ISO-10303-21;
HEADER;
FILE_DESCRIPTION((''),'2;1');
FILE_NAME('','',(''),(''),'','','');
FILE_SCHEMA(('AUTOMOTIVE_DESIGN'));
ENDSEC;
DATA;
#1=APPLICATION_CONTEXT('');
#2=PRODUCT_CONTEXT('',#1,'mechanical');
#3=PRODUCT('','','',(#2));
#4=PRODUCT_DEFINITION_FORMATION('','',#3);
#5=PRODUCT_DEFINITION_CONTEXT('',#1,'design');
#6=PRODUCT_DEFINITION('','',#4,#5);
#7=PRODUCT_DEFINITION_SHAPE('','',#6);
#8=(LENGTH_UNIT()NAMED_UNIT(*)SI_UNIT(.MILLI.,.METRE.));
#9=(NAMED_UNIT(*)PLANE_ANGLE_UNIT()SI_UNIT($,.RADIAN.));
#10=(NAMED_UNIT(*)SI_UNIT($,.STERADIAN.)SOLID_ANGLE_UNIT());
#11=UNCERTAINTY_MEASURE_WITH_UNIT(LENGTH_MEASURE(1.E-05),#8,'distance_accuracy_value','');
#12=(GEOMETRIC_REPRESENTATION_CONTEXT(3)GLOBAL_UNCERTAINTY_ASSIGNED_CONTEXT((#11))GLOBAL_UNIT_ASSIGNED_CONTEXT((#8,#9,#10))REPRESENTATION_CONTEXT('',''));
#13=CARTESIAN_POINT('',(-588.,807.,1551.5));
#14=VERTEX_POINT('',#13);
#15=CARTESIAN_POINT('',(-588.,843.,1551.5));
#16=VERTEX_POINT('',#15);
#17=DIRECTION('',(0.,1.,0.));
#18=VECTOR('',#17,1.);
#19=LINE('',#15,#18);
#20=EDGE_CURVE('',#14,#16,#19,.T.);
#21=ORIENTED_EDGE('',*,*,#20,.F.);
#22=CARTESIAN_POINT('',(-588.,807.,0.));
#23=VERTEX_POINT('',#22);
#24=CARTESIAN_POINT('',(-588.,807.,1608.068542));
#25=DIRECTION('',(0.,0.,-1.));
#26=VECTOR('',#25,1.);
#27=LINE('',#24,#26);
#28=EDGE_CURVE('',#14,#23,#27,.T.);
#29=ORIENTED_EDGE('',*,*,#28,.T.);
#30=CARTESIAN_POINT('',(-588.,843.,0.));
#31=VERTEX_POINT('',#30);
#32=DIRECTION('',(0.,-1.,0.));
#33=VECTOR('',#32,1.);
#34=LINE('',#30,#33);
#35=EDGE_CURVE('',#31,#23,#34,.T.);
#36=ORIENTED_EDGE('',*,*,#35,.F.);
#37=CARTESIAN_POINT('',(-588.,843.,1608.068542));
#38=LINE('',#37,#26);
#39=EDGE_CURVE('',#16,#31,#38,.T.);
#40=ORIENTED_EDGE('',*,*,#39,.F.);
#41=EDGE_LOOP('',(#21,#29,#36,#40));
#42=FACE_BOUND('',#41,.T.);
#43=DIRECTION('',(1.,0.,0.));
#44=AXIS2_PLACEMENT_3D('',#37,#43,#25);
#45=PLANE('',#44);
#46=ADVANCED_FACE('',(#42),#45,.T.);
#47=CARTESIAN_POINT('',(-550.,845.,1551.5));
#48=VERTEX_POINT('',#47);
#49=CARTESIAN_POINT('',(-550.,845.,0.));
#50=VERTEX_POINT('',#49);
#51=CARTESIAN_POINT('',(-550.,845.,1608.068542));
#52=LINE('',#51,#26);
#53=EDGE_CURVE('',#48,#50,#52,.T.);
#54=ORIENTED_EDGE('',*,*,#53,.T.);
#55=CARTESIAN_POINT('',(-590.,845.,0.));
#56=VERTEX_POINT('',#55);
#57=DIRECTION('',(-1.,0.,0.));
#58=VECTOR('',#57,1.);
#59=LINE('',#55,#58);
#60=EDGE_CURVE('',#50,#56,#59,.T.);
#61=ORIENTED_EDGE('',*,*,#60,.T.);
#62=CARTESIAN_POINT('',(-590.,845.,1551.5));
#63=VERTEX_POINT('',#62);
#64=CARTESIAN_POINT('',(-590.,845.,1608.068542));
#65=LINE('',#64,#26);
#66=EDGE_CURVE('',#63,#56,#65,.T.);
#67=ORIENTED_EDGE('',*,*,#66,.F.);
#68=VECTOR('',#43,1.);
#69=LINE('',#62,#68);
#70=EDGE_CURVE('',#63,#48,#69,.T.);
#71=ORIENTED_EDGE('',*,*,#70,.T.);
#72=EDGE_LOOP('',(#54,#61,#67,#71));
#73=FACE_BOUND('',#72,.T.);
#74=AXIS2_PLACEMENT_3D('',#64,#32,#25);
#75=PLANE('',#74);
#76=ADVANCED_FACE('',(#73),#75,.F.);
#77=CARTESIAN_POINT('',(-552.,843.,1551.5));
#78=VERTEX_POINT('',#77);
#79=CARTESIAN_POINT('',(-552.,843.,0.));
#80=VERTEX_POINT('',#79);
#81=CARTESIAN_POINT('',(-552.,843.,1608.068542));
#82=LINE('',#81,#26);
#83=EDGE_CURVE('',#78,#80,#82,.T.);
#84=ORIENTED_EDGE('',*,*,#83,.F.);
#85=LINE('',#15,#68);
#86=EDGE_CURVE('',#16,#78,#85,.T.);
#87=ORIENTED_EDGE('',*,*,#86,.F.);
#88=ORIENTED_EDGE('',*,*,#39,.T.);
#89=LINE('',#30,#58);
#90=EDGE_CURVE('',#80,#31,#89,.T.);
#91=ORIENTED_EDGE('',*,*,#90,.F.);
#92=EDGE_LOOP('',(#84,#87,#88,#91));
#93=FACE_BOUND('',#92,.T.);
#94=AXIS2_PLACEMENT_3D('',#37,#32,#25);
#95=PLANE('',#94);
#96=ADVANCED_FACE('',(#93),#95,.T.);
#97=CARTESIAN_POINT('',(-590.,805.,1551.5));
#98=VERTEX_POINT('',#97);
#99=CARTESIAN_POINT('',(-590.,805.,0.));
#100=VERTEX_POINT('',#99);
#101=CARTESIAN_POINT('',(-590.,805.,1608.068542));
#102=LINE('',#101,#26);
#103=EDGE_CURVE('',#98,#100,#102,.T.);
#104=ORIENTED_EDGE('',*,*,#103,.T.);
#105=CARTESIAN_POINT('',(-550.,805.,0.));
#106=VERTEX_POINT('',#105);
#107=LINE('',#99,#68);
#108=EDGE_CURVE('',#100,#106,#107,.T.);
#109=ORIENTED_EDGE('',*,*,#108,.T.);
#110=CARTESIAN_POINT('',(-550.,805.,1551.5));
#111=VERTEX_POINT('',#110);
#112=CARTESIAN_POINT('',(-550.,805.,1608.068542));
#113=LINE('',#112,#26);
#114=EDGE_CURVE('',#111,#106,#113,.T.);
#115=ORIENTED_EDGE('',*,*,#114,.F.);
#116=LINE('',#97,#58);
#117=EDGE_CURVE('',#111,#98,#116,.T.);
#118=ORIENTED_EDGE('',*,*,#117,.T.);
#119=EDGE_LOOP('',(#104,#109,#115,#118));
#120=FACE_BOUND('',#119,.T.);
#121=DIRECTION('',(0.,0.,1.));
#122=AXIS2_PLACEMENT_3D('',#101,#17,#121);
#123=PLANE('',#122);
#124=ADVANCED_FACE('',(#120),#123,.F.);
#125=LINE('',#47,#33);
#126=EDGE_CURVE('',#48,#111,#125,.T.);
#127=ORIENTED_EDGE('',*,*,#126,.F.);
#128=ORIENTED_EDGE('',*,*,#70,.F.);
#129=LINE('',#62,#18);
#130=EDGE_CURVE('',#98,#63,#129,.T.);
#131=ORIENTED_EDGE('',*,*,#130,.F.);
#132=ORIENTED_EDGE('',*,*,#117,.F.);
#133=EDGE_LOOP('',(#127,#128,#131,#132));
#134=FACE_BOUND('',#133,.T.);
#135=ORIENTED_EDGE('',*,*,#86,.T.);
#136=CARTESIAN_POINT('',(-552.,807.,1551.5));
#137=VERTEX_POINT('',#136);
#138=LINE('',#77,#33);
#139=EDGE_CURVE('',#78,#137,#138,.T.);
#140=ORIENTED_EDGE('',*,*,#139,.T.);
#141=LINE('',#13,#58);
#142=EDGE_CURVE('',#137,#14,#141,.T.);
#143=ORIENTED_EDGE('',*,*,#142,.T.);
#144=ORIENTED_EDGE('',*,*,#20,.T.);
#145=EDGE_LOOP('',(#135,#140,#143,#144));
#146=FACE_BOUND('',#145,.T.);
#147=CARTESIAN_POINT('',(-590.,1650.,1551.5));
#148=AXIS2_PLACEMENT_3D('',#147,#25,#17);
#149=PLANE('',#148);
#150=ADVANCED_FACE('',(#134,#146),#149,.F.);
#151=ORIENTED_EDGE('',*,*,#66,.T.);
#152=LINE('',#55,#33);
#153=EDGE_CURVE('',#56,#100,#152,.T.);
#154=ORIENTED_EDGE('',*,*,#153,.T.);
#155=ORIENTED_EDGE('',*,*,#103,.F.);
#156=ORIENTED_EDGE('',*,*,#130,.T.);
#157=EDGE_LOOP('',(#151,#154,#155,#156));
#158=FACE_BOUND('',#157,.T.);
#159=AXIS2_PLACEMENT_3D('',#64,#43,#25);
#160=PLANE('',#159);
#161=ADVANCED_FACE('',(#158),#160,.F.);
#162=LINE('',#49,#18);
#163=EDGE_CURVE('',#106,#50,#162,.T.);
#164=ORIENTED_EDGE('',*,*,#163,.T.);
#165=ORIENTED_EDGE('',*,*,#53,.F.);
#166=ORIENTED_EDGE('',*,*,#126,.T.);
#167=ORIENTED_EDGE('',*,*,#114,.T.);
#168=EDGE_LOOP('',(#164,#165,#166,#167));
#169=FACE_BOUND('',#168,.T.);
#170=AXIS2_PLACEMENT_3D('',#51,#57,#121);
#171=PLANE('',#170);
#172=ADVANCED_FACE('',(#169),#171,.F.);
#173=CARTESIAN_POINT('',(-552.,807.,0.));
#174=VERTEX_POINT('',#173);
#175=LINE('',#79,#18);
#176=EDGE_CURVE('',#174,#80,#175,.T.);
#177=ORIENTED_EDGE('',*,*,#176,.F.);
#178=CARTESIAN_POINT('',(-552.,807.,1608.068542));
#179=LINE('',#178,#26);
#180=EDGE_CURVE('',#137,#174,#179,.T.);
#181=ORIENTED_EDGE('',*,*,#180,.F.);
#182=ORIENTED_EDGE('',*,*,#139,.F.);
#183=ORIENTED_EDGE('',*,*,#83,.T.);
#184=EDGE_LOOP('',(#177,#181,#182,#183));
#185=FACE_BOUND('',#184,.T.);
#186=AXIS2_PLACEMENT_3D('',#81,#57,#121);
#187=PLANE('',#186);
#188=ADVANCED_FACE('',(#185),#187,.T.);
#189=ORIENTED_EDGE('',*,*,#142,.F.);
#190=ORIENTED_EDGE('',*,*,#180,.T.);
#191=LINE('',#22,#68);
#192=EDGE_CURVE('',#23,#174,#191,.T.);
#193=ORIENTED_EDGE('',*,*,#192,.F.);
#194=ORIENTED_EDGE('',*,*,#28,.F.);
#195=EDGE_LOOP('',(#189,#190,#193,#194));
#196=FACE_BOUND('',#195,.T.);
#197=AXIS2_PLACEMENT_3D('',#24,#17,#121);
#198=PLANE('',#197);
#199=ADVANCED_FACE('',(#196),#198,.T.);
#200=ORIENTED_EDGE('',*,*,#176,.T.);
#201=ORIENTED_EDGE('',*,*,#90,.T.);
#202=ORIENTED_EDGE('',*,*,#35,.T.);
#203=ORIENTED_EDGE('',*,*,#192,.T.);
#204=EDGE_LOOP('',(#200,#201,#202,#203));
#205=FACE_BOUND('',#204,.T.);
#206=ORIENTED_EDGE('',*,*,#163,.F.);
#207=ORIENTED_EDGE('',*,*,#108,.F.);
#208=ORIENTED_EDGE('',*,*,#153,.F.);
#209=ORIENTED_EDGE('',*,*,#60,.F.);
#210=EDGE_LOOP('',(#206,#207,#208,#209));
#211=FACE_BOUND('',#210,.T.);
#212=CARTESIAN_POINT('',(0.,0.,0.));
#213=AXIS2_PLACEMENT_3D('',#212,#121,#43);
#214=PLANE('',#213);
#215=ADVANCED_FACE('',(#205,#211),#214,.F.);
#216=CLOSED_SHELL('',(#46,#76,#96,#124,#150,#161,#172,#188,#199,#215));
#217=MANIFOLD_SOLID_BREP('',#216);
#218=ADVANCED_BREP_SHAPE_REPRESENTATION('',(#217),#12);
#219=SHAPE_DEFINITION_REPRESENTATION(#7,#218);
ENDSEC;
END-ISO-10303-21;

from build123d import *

# Parameters (mm, degrees)
SKETCH1_W           = 40
SKETCH1_H           = 40
SKETCH1_W_2         = 36
SKETCH1_H_2         = 36
BOSS_EXTRUDE1_DEPTH = 1551.5


with BuildPart() as part:
    # Sketch1 → Boss-Extrude1 (new body)
    with BuildSketch(Plane.XY):
        with Locations((-570, 825)):
            Rectangle(SKETCH1_W, SKETCH1_H)
        with Locations((-570, 825)):
            Rectangle(SKETCH1_W_2, SKETCH1_H_2, mode=Mode.SUBTRACT)
    extrude(amount=BOSS_EXTRUDE1_DEPTH)


solid = part.part
